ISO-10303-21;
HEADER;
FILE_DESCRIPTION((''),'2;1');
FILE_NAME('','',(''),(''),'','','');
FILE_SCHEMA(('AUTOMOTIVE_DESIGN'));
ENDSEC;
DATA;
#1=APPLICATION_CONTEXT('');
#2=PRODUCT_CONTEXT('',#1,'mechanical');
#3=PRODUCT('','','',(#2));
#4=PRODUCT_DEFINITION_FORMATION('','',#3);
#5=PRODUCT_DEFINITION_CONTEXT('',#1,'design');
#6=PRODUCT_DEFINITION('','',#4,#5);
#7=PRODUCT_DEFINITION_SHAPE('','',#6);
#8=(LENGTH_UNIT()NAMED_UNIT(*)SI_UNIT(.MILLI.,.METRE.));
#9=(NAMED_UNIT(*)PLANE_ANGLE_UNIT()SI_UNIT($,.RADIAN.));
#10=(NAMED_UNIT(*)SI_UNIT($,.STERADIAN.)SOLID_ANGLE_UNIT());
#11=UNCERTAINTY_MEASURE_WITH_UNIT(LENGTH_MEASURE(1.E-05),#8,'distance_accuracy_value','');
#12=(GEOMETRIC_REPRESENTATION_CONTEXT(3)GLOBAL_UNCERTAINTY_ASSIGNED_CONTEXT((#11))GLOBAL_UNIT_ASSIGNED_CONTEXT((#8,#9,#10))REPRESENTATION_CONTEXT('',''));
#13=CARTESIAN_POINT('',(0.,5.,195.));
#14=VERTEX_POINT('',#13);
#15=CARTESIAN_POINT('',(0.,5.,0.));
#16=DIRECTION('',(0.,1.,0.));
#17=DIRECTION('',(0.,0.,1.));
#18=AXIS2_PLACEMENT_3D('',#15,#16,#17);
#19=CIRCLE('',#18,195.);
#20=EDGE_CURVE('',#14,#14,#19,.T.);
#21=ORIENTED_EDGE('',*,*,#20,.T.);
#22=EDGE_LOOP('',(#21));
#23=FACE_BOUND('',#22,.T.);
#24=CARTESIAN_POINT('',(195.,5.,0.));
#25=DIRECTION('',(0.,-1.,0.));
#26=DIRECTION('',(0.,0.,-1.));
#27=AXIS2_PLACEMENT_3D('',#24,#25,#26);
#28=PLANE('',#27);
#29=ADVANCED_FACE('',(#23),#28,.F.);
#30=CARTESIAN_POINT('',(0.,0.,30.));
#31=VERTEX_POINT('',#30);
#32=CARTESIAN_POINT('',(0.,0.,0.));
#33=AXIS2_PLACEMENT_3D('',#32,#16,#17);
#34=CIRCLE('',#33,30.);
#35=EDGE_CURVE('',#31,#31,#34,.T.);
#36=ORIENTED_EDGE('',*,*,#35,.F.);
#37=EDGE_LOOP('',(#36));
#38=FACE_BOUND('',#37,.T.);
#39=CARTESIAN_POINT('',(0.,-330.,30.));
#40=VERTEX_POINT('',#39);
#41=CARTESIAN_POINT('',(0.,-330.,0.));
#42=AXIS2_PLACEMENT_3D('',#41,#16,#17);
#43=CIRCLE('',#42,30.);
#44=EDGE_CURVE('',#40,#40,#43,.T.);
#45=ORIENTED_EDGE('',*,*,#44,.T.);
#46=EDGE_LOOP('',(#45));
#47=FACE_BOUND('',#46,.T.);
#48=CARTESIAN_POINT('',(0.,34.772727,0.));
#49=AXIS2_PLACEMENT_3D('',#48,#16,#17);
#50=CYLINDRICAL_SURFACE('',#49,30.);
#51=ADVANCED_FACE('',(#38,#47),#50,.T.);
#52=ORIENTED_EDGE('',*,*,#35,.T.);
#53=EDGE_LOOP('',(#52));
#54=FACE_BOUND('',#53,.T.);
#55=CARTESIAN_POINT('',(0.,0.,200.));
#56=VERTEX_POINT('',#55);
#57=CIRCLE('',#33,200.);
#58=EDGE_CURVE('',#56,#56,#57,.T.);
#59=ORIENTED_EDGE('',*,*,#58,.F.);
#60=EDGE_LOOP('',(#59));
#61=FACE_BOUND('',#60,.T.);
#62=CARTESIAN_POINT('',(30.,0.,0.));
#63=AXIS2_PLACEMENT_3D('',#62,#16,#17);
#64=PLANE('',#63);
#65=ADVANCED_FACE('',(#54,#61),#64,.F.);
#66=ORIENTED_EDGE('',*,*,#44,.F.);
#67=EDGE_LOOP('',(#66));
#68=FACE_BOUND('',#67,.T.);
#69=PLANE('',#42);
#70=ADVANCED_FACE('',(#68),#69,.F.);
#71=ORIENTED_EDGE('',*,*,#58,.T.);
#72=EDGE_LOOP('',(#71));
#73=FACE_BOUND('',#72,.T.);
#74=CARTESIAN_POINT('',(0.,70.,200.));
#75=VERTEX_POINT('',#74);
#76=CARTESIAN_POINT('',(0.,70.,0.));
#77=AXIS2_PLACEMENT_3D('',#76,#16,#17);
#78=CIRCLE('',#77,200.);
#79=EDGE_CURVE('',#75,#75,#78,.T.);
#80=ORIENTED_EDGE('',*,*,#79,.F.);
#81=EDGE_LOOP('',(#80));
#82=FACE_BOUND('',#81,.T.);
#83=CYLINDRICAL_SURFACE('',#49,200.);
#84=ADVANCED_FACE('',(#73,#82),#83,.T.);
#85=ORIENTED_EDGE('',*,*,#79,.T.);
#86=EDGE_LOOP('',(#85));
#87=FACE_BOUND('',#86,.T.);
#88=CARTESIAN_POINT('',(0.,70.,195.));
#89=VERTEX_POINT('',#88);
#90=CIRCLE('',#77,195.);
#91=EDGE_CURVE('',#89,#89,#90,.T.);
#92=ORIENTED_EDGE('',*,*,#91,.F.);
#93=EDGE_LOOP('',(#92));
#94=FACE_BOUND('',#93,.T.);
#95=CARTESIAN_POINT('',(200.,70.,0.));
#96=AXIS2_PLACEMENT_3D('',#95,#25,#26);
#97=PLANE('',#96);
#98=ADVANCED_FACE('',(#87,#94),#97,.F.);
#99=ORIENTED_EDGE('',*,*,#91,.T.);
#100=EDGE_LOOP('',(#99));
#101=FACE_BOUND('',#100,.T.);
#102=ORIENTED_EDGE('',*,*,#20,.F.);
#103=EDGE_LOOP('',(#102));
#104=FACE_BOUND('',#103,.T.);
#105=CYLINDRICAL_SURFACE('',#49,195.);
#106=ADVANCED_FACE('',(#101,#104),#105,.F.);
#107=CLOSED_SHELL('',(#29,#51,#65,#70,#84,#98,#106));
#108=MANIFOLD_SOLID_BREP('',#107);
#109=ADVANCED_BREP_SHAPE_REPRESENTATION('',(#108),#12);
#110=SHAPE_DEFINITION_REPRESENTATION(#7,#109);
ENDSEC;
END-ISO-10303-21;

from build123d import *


with BuildPart() as part:
    # Sketch2 → Revolve1 (revolve)
    with BuildSketch(Plane.XY, mode=Mode.PRIVATE) as revolve1_sk:
        Polygon((30, -330), (30, 0), (200, 0), (200, 70), (195, 70), (195, 5), (0, 5), (0, -330), align=None)
    revolve(revolve1_sk.sketch.rotate(Axis((0, 34.772727273, 0), (0, -1, 0)), 90), axis=Axis((0, 34.772727273, 0), (0, -1, 0)))


solid = part.part
